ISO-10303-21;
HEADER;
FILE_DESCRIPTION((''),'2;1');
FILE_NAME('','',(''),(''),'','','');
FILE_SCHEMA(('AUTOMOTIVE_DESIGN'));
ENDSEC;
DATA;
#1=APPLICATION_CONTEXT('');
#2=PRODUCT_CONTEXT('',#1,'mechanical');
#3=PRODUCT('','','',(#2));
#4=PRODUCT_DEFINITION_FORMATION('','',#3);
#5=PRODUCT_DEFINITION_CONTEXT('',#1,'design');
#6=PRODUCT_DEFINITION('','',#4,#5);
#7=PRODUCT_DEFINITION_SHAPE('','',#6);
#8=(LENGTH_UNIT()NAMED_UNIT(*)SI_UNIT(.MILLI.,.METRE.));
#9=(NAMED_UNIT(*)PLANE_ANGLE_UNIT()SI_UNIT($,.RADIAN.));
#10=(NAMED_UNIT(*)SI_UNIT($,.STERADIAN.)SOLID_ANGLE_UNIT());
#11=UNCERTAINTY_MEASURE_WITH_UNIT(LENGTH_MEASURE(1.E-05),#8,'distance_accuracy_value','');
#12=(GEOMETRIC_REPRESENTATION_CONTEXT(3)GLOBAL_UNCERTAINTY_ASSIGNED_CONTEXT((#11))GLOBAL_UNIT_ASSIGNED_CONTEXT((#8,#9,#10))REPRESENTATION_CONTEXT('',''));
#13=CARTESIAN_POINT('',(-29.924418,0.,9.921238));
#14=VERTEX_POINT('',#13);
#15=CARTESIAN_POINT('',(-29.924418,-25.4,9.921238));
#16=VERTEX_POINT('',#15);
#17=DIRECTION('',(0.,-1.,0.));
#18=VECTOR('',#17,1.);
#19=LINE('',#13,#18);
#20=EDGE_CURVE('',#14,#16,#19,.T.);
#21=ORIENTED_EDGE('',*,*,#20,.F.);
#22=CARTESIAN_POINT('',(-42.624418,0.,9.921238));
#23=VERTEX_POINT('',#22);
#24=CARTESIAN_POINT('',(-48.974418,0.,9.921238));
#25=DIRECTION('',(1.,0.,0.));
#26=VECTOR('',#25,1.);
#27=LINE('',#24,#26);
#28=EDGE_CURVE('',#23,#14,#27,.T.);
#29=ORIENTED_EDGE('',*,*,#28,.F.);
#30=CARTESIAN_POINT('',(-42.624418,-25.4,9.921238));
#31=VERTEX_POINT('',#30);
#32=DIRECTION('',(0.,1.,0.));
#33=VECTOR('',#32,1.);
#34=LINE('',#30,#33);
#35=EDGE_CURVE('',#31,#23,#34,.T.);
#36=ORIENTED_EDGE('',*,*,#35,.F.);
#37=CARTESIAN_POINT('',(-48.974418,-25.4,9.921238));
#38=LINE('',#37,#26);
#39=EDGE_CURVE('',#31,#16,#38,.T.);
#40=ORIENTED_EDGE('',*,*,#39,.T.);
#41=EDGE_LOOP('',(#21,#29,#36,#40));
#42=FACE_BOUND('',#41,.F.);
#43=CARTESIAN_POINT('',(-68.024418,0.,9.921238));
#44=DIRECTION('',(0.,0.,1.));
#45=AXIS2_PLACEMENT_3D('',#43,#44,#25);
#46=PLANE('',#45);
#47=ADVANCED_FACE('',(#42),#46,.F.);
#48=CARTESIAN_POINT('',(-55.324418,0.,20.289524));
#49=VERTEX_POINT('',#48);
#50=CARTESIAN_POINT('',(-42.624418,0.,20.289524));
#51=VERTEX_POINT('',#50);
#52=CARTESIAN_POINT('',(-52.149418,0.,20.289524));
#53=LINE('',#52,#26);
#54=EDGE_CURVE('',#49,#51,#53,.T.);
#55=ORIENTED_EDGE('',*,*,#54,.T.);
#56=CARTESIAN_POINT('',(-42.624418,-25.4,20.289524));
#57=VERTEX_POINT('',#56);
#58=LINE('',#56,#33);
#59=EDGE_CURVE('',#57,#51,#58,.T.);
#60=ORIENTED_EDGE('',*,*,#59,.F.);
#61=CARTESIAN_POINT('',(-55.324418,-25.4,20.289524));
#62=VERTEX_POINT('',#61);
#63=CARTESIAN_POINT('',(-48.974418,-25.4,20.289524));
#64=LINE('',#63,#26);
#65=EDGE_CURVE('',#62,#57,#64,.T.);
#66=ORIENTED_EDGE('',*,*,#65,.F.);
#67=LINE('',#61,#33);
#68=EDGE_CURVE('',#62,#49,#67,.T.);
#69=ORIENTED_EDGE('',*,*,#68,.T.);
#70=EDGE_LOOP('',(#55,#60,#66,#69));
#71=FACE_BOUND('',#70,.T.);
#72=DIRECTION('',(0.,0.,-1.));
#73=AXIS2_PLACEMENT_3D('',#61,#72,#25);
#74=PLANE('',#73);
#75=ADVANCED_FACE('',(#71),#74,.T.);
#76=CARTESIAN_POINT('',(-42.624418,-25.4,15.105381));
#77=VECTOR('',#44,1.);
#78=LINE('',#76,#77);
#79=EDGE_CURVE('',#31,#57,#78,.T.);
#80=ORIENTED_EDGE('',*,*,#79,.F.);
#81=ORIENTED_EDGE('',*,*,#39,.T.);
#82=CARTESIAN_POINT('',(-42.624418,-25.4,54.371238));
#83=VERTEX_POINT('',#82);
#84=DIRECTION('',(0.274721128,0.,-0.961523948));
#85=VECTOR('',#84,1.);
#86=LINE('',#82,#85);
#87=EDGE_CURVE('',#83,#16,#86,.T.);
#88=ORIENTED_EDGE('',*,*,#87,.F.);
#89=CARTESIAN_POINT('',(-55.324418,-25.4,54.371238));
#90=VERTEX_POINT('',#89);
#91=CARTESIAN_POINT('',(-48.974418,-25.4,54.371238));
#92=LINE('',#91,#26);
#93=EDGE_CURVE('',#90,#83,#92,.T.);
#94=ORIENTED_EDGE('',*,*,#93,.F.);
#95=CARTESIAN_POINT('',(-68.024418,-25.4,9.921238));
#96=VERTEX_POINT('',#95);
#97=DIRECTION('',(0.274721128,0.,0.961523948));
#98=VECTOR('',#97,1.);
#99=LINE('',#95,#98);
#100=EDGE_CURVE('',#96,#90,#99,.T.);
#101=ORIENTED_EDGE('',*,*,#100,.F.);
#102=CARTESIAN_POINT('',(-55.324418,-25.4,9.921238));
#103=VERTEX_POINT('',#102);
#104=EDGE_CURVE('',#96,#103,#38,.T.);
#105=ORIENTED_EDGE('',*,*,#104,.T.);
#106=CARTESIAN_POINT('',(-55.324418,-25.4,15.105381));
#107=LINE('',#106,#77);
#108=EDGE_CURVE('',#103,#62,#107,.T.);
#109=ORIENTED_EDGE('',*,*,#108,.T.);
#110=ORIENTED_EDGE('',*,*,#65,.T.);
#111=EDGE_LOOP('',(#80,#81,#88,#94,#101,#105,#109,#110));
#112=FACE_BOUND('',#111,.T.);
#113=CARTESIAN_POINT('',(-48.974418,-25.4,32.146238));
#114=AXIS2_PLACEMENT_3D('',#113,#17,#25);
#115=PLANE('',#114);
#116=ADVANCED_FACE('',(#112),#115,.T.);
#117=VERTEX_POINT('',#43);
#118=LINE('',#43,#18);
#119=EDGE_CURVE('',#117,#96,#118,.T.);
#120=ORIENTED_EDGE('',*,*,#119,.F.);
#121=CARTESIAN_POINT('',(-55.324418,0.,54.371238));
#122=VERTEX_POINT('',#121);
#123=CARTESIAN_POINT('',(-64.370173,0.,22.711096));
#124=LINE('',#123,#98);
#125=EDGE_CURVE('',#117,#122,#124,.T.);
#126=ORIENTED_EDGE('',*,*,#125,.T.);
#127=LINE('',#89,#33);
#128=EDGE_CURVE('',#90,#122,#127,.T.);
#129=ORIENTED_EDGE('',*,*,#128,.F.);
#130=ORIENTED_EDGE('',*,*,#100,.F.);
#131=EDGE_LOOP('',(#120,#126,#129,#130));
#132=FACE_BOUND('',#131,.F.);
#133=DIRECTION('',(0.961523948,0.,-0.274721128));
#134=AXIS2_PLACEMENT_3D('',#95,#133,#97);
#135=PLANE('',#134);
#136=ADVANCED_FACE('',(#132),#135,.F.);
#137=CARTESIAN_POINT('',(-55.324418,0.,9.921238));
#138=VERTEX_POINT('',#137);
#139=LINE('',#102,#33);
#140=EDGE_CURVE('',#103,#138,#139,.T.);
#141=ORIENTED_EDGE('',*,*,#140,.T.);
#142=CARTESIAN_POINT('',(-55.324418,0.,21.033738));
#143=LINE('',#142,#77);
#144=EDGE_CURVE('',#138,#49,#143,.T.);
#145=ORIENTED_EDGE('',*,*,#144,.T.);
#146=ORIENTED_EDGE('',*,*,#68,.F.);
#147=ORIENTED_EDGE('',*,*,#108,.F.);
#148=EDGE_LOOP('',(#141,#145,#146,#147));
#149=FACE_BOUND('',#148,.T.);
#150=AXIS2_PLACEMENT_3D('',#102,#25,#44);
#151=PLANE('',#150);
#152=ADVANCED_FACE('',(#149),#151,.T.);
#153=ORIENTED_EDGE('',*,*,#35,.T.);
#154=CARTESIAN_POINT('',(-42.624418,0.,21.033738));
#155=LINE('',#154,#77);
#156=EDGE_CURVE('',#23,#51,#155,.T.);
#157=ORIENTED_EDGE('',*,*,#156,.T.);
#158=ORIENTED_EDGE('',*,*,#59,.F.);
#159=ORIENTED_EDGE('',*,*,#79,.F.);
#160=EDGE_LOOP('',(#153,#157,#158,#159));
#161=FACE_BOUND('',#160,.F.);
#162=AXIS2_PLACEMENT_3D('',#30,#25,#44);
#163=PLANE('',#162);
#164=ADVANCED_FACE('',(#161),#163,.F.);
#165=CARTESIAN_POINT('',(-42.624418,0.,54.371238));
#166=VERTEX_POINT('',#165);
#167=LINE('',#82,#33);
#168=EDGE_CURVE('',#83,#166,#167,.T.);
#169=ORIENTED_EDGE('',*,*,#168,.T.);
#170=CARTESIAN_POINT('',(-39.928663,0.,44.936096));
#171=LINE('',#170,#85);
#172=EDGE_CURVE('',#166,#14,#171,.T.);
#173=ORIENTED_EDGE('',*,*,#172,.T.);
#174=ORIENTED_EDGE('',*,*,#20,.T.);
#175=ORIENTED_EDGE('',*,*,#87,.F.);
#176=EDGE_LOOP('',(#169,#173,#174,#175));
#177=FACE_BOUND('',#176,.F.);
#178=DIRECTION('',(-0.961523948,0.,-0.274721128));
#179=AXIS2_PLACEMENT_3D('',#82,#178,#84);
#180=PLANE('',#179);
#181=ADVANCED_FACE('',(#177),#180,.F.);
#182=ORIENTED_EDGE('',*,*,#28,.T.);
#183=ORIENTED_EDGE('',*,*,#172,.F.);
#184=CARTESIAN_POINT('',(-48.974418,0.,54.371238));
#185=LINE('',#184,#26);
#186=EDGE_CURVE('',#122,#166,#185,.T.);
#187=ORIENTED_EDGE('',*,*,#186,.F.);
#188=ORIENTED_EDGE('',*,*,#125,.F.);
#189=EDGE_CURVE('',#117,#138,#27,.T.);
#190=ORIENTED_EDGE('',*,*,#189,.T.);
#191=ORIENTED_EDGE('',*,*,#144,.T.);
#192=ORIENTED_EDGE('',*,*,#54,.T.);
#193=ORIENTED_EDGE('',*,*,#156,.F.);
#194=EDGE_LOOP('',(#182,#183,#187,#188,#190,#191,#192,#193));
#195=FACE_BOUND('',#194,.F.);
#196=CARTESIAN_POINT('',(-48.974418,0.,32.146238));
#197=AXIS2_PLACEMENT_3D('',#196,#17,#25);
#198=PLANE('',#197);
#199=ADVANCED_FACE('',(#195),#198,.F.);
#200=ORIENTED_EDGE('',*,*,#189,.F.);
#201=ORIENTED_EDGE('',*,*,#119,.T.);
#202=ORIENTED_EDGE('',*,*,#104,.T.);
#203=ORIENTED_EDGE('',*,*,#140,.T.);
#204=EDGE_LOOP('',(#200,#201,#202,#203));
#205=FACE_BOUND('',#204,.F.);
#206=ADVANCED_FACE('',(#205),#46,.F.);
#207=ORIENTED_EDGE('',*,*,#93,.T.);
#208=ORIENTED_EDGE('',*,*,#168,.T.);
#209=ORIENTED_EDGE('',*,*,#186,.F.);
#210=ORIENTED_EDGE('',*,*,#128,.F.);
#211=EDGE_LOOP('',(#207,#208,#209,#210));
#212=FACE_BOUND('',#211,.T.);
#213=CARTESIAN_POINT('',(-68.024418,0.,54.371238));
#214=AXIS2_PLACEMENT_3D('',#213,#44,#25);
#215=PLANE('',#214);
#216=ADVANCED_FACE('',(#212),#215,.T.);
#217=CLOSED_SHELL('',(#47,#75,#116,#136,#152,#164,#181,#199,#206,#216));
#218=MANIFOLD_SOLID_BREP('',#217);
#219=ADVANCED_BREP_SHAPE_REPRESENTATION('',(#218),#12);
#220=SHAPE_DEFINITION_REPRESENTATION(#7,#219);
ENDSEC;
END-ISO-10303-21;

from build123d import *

# Parameters (mm, degrees)
F0_W     = 38.1
F0_H     = 44.45
F1_DEPTH = 25.4
F2_W     = 12.7
F2_H     = 10.368286
F3_DEPTH = 25.401
F5_DEPTH = 25.401


with BuildPart() as f1:
    # F0 (on Front) → F1 (new body)
    with BuildSketch(Plane.XZ):
        with Locations((-48.974418, 32.146238)):
            Rectangle(F0_W, F0_H)
    extrude(amount=F1_DEPTH)

    # F2 (on face) → F3 (cut, through all)
    with BuildSketch(Plane.XZ.offset(25.4)):
        with Locations((-48.974418, 15.105381)):
            Rectangle(F2_W, F2_H)
    extrude(amount=-F3_DEPTH, mode=Mode.SUBTRACT)

    # F4 (on face) → F5 (cut, through all)
    with BuildSketch(Plane.XZ.offset(25.4)):
        Polygon((-68.024418, 54.371238), (-68.024418, 9.921238), (-55.324418, 54.371238), align=None)
        Polygon((-29.924418, 54.371238), (-42.624418, 54.371238), (-29.924418, 9.921238), align=None)
    extrude(amount=-F5_DEPTH, mode=Mode.SUBTRACT)


solid = f1.part
